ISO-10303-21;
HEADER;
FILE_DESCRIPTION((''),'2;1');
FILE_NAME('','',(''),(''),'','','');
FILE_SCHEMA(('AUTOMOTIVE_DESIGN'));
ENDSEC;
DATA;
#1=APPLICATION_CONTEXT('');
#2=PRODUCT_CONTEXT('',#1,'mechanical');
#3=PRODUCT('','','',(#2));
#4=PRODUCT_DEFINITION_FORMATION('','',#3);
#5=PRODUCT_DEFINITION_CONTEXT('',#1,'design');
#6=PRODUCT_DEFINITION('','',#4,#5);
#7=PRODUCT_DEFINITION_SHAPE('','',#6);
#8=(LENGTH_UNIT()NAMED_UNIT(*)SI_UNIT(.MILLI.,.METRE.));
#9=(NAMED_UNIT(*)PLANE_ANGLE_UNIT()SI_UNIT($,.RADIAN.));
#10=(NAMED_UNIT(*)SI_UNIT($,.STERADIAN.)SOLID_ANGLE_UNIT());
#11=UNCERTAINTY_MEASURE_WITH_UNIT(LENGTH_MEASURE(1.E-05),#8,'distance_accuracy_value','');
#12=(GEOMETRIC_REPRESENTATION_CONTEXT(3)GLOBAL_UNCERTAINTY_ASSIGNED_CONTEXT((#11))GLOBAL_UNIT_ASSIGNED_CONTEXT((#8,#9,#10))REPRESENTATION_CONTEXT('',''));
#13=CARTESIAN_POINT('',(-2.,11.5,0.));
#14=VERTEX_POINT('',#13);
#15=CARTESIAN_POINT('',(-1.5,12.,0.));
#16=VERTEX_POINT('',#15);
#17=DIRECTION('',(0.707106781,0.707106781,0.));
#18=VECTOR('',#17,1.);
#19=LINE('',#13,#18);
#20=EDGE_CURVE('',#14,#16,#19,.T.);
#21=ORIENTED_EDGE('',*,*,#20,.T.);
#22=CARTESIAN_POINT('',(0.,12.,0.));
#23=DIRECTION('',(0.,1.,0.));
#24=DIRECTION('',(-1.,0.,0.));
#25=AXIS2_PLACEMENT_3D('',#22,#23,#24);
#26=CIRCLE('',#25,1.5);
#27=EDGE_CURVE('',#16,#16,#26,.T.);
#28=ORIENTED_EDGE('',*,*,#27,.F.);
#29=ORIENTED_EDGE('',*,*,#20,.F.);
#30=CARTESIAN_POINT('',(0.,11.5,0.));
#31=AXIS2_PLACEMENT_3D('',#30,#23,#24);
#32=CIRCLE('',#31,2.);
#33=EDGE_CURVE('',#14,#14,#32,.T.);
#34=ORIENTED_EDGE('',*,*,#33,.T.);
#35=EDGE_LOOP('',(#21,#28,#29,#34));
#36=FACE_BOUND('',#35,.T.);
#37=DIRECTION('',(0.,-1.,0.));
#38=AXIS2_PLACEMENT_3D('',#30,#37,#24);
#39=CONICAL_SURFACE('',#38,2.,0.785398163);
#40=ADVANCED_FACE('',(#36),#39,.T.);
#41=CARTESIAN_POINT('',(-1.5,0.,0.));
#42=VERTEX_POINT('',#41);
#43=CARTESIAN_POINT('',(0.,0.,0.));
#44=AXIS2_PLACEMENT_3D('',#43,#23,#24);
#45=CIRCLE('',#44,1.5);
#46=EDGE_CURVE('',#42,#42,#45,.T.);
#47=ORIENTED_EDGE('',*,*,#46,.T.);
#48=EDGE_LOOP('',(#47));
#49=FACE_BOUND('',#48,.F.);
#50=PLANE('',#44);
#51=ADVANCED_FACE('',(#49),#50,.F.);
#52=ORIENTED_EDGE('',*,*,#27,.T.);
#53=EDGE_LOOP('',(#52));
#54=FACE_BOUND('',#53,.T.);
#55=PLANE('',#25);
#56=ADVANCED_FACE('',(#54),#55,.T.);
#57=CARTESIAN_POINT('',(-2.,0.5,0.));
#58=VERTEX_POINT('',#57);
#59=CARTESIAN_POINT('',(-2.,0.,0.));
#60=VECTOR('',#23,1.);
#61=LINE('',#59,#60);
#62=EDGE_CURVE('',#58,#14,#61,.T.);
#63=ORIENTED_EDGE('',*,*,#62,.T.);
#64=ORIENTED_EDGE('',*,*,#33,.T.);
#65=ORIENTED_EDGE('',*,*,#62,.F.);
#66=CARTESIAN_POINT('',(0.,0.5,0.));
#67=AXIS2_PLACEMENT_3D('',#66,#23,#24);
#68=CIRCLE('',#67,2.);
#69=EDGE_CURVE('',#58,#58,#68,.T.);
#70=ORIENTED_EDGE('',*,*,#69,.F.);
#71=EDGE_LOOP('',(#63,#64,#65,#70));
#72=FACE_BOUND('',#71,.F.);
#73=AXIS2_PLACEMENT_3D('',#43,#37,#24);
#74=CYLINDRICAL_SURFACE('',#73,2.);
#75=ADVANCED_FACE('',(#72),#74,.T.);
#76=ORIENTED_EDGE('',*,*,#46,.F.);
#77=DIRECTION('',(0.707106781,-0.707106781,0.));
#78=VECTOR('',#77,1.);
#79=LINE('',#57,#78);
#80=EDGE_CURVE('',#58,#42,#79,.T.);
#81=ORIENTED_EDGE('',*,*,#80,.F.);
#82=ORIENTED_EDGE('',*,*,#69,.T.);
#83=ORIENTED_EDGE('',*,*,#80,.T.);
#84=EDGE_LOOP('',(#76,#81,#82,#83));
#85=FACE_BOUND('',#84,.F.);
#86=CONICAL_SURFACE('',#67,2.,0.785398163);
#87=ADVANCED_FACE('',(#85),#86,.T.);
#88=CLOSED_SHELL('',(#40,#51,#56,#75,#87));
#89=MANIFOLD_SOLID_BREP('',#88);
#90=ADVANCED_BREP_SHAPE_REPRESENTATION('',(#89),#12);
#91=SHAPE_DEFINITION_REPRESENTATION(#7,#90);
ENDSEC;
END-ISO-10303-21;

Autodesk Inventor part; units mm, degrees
ref_plane "YZ Plane" through (0, 0, 0) normal (1, 0, 0) x (0, 1, 0)
ref_plane "XZ Plane" through (0, 0, 0) normal (0, 1, 0) x (-1, 0, 0)
ref_plane "XY Plane" through (0, 0, 0) normal (0, 0, 1) x (1, 0, 0)
sketch "Sketch1" plane through (0, 0, 0) normal (0, 1, 0) x (-1, 0, 0)
  circle A0 centre (0, 0) radius 2
  dimension "d0" = 4
extrude "Extrusion1" add sketch "Sketch1" along normal blind 12
thread "Thread1" size "M4x0.7" class "6g" standard "ANSI Metric M Profile" full length
chamfer "Chamfer1" distance 0.5 angle 45 2 edges at (2, 12, 0) (2, 0, 0)
properties part number "M4_Knurl_Screw_12mm"
